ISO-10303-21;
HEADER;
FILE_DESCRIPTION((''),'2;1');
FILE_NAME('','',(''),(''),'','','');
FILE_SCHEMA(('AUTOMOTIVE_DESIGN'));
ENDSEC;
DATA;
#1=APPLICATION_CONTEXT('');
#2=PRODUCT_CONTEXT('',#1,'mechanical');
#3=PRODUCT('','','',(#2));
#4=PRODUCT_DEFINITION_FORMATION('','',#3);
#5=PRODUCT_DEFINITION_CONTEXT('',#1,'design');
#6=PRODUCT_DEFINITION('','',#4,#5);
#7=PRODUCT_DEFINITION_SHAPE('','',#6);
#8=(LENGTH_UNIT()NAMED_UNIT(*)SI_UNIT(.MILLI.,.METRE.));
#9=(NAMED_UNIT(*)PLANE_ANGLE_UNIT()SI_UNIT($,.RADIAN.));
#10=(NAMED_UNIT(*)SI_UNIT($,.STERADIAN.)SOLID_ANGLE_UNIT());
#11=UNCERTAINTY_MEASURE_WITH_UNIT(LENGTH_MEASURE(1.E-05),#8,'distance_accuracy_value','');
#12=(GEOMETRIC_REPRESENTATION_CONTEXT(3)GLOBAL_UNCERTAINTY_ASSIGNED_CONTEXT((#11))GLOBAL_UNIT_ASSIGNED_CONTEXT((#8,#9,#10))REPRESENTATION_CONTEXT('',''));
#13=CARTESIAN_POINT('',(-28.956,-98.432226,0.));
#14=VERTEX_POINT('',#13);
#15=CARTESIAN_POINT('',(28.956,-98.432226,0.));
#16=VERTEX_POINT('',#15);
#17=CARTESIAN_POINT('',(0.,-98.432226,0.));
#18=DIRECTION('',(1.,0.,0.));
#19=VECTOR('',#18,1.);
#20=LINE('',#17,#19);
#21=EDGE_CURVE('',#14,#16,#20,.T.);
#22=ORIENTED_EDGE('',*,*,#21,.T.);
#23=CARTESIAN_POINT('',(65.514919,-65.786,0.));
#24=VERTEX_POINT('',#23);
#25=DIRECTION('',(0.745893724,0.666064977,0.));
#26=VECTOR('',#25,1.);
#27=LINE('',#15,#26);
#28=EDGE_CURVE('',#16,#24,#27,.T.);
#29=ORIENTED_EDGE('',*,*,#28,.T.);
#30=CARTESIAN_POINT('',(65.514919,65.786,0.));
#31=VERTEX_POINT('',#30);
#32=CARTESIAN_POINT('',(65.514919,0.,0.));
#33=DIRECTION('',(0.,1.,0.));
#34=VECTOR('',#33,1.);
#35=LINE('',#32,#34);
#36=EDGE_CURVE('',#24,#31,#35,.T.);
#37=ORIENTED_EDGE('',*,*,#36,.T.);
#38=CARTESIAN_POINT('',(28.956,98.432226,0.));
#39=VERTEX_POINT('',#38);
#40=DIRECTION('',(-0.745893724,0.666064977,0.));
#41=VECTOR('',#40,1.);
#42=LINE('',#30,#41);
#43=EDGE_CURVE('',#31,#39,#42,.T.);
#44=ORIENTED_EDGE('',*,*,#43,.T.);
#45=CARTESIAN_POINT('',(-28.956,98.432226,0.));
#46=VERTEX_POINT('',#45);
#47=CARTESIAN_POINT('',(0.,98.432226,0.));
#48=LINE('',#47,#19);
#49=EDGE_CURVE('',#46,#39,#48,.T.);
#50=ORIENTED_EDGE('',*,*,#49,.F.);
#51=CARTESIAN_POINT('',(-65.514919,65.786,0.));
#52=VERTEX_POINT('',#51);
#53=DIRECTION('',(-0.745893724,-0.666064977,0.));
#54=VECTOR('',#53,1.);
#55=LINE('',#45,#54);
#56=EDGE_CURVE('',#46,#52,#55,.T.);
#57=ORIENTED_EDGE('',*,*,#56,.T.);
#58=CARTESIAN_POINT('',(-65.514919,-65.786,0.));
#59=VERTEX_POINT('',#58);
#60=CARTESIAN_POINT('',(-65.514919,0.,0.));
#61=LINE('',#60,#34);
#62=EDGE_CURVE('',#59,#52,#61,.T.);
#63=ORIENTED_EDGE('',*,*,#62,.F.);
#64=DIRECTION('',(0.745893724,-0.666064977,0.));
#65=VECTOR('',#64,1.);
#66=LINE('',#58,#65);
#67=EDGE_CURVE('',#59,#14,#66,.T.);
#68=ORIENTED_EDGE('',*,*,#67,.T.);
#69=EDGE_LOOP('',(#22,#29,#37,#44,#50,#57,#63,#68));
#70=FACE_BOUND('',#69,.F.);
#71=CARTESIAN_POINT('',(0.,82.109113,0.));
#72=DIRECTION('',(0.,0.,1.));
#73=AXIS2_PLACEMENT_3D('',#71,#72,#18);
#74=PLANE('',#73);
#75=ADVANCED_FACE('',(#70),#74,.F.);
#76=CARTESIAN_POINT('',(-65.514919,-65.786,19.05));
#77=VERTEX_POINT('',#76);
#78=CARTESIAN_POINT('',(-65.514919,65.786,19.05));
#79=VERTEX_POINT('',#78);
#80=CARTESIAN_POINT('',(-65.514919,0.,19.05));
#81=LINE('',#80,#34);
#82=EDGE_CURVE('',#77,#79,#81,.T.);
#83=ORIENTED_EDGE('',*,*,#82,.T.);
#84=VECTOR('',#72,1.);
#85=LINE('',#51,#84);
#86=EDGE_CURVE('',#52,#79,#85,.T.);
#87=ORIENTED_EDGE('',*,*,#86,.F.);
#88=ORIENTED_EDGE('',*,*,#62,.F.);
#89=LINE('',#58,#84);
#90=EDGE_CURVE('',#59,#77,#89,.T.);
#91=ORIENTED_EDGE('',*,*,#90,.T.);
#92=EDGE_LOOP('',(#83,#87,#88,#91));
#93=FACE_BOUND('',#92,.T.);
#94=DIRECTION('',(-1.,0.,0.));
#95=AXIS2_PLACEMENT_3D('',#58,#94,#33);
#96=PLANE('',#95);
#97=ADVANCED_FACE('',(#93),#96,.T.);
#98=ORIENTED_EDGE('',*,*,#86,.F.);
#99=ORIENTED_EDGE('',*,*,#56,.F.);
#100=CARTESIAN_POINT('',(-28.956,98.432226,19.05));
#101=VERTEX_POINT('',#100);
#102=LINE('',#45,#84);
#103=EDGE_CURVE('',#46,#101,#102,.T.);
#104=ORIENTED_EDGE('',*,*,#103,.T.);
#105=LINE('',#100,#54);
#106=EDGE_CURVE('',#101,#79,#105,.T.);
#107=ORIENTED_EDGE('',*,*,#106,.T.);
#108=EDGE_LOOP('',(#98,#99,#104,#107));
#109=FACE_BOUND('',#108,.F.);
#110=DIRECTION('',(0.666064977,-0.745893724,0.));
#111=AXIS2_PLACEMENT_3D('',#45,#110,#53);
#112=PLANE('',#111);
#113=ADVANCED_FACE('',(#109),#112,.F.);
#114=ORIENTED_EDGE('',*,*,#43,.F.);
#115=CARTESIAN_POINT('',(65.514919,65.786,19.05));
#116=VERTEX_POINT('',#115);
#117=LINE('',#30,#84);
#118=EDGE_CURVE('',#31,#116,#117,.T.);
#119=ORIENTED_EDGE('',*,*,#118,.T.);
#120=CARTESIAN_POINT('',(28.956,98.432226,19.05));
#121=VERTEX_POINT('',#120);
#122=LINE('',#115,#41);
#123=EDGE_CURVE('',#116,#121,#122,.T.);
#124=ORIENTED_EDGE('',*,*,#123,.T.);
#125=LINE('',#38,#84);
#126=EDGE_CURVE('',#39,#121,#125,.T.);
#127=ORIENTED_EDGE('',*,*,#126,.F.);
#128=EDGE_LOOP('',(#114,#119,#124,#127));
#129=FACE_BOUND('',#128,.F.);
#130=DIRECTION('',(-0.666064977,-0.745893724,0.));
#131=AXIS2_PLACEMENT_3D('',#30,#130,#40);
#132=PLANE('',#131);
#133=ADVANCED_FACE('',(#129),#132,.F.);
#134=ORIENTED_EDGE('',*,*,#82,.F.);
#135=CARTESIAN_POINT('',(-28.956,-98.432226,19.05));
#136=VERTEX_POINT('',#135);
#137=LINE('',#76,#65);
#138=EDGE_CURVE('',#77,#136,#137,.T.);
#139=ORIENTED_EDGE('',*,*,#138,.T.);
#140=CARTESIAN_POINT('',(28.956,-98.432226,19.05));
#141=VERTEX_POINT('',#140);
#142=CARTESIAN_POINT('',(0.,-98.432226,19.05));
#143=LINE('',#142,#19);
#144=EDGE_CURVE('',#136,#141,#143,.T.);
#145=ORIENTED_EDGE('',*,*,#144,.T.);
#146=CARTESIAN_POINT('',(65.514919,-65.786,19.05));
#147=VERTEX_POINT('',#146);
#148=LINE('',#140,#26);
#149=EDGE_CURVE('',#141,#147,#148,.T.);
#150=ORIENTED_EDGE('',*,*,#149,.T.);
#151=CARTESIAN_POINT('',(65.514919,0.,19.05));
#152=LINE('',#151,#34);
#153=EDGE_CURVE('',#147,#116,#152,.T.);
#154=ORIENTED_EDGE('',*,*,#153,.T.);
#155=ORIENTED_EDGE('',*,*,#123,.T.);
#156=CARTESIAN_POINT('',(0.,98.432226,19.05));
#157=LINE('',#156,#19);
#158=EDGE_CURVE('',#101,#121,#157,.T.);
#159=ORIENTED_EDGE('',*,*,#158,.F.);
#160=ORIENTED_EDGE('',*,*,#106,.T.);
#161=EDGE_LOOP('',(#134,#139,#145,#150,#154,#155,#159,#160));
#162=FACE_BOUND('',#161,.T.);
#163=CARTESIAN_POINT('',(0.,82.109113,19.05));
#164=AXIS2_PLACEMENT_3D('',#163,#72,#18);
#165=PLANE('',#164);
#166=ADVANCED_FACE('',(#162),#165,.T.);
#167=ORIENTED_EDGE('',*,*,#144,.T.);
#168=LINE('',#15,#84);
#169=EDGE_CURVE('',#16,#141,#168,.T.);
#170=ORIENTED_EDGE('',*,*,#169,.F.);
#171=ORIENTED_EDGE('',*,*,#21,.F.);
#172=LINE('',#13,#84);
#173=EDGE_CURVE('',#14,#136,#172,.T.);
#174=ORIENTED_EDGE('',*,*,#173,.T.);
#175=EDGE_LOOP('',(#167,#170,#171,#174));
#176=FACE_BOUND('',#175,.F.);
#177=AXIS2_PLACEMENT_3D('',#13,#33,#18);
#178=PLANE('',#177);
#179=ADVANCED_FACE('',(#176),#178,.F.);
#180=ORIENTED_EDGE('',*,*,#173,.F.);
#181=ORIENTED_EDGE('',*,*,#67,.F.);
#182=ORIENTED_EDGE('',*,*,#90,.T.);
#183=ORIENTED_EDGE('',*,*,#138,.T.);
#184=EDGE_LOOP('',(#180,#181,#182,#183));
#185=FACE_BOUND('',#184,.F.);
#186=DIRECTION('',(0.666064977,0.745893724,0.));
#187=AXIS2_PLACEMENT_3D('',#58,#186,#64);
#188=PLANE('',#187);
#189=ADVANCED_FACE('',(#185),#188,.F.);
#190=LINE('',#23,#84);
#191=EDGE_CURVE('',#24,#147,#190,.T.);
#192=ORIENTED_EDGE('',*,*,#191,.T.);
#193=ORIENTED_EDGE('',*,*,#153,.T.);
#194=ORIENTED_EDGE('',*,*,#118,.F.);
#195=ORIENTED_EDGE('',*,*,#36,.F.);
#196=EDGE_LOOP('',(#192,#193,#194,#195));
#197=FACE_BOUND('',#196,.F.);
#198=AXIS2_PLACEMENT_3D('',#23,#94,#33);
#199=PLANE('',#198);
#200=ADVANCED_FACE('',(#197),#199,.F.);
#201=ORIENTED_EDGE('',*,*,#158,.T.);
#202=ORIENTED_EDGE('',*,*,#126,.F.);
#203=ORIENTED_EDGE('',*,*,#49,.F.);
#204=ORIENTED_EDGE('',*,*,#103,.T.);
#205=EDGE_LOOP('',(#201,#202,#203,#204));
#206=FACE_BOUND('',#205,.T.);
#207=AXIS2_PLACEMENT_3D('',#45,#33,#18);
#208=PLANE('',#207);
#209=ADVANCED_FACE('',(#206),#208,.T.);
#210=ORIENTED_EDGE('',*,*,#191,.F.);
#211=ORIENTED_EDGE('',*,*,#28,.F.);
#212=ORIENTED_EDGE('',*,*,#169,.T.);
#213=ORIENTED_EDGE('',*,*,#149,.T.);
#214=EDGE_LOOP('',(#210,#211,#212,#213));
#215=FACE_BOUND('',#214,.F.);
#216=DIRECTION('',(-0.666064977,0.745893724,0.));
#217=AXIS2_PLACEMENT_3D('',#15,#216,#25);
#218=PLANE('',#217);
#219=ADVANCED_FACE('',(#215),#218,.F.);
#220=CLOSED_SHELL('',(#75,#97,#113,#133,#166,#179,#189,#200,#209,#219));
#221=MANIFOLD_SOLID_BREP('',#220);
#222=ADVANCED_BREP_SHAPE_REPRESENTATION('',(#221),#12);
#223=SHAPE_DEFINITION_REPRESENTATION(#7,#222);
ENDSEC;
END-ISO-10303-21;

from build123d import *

# Parameters (mm, degrees)
F0_W     = 57.912
F0_H     = 32.6462263381
F0_W_2   = 36.5589186821
F0_H_2   = 131.572
F1_DEPTH = 19.05


with BuildPart() as f1:
    # F0 (on Top) → F1 (new body)
    with BuildSketch(Plane.XY):
        with Locations((0, 82.109113169)):
            Rectangle(F0_W, F0_H)
        with Locations((-47.2354593411, 0)):
            Rectangle(F0_W_2, F0_H_2)
        Polygon((-28.956, 65.786), (-28.956, 98.4322263381), (-65.5149186821, 65.786), align=None)
        Rectangle(F0_W, F0_H_2)
        with Locations((47.2354593411, 0)):
            Rectangle(F0_W_2, F0_H_2)
        Polygon((65.5149186821, 65.786), (28.956, 98.4322263381), (28.956, 65.786), align=None)
        Polygon((65.5149186821, -65.786), (28.956, -65.786), (28.956, -98.4322263381), align=None)
        with Locations((0, -82.109113169)):
            Rectangle(F0_W, F0_H)
        Polygon((-28.956, -98.4322263381), (-28.956, -65.786), (-65.5149186821, -65.786), align=None)
    extrude(amount=F1_DEPTH)


solid = f1.part
